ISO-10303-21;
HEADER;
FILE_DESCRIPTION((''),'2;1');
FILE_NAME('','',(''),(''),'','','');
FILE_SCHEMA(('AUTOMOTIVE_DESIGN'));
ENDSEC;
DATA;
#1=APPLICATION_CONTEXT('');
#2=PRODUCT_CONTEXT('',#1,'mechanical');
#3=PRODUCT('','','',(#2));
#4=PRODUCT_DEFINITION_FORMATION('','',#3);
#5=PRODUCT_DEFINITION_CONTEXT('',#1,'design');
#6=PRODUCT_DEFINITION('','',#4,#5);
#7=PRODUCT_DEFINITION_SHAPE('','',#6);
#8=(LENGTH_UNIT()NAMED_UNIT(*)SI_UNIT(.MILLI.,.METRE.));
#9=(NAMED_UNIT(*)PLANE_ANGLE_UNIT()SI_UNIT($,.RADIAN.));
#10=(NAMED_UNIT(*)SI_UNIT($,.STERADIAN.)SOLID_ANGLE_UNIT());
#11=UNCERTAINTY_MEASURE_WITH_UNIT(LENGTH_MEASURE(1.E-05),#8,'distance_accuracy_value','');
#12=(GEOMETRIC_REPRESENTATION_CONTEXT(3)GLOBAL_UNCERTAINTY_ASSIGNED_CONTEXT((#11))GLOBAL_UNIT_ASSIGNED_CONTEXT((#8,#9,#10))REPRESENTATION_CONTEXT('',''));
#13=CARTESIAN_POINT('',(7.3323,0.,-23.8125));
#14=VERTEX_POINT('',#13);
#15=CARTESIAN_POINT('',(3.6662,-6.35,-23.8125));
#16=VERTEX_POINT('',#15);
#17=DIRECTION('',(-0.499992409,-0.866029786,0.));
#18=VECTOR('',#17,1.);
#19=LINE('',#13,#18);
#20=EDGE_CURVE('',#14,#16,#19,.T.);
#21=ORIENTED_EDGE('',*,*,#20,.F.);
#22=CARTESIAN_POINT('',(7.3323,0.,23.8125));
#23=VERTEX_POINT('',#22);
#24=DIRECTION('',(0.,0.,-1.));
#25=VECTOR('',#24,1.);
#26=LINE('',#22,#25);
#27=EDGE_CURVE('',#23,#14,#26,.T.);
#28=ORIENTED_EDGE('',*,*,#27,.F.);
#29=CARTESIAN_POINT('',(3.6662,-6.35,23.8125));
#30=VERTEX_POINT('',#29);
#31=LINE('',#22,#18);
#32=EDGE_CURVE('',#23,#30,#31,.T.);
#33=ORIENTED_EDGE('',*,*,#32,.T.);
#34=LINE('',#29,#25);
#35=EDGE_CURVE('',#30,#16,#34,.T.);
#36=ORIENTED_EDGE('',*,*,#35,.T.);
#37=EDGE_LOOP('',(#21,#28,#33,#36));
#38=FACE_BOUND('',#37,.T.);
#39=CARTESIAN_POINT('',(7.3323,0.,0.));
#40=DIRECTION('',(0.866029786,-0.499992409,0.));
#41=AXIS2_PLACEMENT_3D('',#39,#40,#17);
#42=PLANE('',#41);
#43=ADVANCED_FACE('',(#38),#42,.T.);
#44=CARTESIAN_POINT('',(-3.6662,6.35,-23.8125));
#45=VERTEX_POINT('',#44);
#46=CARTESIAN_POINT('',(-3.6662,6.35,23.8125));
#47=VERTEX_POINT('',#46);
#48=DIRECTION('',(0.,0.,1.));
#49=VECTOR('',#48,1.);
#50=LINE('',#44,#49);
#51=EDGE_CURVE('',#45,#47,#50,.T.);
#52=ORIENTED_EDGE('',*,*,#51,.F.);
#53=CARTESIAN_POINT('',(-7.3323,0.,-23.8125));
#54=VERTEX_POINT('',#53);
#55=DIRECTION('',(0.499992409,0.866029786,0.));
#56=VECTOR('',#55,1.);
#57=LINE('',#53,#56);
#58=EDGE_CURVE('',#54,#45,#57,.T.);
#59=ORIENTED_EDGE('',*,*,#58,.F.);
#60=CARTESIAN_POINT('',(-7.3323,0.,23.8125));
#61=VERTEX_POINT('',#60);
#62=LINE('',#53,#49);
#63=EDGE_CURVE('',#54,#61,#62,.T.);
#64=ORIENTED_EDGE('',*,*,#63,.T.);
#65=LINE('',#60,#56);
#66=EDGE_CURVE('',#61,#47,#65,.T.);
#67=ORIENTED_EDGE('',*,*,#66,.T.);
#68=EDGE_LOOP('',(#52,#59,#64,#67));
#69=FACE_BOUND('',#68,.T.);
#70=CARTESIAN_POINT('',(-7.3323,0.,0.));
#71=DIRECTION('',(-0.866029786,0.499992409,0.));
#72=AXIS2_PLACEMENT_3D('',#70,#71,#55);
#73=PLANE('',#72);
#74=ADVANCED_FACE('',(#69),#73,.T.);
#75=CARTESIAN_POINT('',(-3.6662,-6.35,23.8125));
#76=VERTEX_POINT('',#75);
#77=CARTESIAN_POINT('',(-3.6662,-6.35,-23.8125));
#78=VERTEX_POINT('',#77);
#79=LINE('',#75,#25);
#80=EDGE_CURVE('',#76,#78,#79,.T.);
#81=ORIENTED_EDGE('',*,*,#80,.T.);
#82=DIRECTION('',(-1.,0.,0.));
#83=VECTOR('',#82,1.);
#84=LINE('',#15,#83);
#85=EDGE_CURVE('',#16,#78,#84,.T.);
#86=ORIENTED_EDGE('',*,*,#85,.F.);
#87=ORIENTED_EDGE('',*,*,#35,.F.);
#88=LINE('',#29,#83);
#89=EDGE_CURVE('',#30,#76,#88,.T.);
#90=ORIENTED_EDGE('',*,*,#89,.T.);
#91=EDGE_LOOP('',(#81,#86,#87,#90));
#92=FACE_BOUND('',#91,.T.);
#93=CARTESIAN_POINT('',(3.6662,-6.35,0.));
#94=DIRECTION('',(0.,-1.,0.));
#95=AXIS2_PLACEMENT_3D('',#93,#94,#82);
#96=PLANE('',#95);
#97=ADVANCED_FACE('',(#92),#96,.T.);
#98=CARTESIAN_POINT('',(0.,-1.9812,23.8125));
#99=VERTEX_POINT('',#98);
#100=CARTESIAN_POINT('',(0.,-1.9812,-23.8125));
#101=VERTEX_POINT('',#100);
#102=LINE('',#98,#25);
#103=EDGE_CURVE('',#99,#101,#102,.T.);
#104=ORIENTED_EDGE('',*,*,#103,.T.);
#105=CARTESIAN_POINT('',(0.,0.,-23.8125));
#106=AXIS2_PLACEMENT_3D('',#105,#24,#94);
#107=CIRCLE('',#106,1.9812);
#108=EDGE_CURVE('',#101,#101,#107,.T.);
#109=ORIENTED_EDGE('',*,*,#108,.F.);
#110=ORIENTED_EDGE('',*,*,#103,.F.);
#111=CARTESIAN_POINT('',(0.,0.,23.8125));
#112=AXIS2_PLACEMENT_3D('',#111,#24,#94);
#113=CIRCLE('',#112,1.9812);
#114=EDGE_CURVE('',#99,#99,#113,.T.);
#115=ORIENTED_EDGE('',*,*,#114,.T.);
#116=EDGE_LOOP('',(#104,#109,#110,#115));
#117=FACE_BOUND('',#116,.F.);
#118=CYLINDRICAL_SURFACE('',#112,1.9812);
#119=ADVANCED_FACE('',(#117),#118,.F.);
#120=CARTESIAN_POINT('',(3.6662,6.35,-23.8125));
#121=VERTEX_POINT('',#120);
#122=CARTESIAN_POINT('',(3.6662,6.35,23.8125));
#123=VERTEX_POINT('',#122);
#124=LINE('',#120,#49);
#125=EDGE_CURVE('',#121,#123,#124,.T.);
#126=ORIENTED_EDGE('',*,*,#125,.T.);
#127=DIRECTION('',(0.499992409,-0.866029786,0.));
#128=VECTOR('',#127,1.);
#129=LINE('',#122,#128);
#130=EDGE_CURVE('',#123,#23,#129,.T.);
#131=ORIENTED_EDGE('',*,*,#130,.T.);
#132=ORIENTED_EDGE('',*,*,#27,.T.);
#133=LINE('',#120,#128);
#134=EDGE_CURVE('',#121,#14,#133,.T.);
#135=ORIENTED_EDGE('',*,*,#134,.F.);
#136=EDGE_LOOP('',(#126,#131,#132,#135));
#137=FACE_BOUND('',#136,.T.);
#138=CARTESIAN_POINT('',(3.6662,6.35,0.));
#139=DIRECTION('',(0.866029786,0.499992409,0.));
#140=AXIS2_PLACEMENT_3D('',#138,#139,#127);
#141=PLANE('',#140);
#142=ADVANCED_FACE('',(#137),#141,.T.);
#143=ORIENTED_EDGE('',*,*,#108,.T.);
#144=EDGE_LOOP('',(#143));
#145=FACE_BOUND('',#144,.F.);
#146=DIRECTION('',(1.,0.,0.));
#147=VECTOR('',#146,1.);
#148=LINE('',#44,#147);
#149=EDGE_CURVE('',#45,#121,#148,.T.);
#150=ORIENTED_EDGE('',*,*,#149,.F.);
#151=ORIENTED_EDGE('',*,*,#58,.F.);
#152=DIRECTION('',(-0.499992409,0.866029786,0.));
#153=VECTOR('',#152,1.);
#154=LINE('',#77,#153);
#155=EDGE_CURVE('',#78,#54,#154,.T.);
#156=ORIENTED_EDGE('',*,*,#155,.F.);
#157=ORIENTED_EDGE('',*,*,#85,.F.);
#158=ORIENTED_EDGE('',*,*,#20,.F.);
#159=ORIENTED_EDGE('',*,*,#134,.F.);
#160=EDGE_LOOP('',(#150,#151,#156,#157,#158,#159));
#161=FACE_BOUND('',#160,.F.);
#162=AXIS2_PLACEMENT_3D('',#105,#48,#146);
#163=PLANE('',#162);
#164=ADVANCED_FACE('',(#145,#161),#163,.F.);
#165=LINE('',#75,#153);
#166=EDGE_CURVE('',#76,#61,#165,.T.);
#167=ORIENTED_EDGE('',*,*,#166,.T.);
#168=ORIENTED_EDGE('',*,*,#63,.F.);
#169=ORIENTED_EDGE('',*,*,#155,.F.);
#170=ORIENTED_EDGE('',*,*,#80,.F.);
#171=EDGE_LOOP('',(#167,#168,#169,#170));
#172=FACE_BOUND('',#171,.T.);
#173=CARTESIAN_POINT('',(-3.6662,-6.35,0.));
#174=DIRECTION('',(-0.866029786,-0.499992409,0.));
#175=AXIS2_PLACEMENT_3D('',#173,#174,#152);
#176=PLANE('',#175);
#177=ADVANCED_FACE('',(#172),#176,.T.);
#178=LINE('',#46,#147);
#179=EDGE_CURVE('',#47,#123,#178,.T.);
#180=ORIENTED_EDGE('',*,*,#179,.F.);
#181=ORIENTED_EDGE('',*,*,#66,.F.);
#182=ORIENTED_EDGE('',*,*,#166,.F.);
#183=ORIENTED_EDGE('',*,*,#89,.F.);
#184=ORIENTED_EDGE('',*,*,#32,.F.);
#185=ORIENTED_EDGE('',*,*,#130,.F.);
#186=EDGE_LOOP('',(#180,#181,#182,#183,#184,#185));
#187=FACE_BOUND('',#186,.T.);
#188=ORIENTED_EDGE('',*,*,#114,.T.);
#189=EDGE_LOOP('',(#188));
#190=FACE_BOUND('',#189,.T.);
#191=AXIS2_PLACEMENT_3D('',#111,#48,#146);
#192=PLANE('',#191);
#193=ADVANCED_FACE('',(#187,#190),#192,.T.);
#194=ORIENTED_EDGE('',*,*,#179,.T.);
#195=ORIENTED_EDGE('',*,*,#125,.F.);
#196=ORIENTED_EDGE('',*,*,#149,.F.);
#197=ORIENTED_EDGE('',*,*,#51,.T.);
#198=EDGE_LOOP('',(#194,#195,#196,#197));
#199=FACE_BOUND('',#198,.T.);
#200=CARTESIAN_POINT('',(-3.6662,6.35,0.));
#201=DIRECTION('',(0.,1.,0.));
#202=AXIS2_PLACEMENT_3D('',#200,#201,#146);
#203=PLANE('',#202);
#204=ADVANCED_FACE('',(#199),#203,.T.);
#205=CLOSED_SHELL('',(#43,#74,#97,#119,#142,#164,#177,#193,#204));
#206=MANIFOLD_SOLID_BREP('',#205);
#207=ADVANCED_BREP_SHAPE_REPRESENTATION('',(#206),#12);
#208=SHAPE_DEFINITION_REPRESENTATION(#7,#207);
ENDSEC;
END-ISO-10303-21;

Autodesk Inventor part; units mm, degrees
ref_plane "YZ Plane" through (0, 0, 0) normal (1, 0, 0) x (0, 1, 0)
ref_plane "XZ Plane" through (0, 0, 0) normal (0, 1, 0) x (-1, 0, 0)
ref_plane "XY Plane" through (0, 0, 0) normal (0, 0, 1) x (1, 0, 0)
sketch "Sketch2" plane through (0, 0, 0) normal (0, 0, 1) x (1, 0, 0)
  line L0 (3.6662, 6.35) -> (7.3323, 0)
  line L1 (7.3323, 0) -> (3.6662, -6.35)
  line L2 (3.6662, -6.35) -> (-3.6662, -6.35)
  line L3 (-3.6662, -6.35) -> (-7.3323, 0)
  line L4 (-7.3323, 0) -> (-3.6662, 6.35)
  line L5 (-3.6662, 6.35) -> (3.6662, 6.35)
  point P0 (0, 0)
  point P1 (0, 0)
  dimension "d0" = 12.7
extrude "Extrusion1" add sketch "Sketch2" along normal mid plane 47.625
sketch "Sketch3" plane through (0, 0, 23.8125) normal (0, 0, 1) x (1, 0, 0)
  point P0 (0, 0)
  point P1 (0, 0)
hole "Hole1" at (0, 0, 23.8125) direction (0, 0, -1) diameter 3.9624 end through all thread size "10-32 UNF" class "2B" standard "ANSI Unified Screw Threads"
properties part number "SHAFT,HEX,0.5,DRIVESHAFT,ARM" material "Aluminum 6061"
